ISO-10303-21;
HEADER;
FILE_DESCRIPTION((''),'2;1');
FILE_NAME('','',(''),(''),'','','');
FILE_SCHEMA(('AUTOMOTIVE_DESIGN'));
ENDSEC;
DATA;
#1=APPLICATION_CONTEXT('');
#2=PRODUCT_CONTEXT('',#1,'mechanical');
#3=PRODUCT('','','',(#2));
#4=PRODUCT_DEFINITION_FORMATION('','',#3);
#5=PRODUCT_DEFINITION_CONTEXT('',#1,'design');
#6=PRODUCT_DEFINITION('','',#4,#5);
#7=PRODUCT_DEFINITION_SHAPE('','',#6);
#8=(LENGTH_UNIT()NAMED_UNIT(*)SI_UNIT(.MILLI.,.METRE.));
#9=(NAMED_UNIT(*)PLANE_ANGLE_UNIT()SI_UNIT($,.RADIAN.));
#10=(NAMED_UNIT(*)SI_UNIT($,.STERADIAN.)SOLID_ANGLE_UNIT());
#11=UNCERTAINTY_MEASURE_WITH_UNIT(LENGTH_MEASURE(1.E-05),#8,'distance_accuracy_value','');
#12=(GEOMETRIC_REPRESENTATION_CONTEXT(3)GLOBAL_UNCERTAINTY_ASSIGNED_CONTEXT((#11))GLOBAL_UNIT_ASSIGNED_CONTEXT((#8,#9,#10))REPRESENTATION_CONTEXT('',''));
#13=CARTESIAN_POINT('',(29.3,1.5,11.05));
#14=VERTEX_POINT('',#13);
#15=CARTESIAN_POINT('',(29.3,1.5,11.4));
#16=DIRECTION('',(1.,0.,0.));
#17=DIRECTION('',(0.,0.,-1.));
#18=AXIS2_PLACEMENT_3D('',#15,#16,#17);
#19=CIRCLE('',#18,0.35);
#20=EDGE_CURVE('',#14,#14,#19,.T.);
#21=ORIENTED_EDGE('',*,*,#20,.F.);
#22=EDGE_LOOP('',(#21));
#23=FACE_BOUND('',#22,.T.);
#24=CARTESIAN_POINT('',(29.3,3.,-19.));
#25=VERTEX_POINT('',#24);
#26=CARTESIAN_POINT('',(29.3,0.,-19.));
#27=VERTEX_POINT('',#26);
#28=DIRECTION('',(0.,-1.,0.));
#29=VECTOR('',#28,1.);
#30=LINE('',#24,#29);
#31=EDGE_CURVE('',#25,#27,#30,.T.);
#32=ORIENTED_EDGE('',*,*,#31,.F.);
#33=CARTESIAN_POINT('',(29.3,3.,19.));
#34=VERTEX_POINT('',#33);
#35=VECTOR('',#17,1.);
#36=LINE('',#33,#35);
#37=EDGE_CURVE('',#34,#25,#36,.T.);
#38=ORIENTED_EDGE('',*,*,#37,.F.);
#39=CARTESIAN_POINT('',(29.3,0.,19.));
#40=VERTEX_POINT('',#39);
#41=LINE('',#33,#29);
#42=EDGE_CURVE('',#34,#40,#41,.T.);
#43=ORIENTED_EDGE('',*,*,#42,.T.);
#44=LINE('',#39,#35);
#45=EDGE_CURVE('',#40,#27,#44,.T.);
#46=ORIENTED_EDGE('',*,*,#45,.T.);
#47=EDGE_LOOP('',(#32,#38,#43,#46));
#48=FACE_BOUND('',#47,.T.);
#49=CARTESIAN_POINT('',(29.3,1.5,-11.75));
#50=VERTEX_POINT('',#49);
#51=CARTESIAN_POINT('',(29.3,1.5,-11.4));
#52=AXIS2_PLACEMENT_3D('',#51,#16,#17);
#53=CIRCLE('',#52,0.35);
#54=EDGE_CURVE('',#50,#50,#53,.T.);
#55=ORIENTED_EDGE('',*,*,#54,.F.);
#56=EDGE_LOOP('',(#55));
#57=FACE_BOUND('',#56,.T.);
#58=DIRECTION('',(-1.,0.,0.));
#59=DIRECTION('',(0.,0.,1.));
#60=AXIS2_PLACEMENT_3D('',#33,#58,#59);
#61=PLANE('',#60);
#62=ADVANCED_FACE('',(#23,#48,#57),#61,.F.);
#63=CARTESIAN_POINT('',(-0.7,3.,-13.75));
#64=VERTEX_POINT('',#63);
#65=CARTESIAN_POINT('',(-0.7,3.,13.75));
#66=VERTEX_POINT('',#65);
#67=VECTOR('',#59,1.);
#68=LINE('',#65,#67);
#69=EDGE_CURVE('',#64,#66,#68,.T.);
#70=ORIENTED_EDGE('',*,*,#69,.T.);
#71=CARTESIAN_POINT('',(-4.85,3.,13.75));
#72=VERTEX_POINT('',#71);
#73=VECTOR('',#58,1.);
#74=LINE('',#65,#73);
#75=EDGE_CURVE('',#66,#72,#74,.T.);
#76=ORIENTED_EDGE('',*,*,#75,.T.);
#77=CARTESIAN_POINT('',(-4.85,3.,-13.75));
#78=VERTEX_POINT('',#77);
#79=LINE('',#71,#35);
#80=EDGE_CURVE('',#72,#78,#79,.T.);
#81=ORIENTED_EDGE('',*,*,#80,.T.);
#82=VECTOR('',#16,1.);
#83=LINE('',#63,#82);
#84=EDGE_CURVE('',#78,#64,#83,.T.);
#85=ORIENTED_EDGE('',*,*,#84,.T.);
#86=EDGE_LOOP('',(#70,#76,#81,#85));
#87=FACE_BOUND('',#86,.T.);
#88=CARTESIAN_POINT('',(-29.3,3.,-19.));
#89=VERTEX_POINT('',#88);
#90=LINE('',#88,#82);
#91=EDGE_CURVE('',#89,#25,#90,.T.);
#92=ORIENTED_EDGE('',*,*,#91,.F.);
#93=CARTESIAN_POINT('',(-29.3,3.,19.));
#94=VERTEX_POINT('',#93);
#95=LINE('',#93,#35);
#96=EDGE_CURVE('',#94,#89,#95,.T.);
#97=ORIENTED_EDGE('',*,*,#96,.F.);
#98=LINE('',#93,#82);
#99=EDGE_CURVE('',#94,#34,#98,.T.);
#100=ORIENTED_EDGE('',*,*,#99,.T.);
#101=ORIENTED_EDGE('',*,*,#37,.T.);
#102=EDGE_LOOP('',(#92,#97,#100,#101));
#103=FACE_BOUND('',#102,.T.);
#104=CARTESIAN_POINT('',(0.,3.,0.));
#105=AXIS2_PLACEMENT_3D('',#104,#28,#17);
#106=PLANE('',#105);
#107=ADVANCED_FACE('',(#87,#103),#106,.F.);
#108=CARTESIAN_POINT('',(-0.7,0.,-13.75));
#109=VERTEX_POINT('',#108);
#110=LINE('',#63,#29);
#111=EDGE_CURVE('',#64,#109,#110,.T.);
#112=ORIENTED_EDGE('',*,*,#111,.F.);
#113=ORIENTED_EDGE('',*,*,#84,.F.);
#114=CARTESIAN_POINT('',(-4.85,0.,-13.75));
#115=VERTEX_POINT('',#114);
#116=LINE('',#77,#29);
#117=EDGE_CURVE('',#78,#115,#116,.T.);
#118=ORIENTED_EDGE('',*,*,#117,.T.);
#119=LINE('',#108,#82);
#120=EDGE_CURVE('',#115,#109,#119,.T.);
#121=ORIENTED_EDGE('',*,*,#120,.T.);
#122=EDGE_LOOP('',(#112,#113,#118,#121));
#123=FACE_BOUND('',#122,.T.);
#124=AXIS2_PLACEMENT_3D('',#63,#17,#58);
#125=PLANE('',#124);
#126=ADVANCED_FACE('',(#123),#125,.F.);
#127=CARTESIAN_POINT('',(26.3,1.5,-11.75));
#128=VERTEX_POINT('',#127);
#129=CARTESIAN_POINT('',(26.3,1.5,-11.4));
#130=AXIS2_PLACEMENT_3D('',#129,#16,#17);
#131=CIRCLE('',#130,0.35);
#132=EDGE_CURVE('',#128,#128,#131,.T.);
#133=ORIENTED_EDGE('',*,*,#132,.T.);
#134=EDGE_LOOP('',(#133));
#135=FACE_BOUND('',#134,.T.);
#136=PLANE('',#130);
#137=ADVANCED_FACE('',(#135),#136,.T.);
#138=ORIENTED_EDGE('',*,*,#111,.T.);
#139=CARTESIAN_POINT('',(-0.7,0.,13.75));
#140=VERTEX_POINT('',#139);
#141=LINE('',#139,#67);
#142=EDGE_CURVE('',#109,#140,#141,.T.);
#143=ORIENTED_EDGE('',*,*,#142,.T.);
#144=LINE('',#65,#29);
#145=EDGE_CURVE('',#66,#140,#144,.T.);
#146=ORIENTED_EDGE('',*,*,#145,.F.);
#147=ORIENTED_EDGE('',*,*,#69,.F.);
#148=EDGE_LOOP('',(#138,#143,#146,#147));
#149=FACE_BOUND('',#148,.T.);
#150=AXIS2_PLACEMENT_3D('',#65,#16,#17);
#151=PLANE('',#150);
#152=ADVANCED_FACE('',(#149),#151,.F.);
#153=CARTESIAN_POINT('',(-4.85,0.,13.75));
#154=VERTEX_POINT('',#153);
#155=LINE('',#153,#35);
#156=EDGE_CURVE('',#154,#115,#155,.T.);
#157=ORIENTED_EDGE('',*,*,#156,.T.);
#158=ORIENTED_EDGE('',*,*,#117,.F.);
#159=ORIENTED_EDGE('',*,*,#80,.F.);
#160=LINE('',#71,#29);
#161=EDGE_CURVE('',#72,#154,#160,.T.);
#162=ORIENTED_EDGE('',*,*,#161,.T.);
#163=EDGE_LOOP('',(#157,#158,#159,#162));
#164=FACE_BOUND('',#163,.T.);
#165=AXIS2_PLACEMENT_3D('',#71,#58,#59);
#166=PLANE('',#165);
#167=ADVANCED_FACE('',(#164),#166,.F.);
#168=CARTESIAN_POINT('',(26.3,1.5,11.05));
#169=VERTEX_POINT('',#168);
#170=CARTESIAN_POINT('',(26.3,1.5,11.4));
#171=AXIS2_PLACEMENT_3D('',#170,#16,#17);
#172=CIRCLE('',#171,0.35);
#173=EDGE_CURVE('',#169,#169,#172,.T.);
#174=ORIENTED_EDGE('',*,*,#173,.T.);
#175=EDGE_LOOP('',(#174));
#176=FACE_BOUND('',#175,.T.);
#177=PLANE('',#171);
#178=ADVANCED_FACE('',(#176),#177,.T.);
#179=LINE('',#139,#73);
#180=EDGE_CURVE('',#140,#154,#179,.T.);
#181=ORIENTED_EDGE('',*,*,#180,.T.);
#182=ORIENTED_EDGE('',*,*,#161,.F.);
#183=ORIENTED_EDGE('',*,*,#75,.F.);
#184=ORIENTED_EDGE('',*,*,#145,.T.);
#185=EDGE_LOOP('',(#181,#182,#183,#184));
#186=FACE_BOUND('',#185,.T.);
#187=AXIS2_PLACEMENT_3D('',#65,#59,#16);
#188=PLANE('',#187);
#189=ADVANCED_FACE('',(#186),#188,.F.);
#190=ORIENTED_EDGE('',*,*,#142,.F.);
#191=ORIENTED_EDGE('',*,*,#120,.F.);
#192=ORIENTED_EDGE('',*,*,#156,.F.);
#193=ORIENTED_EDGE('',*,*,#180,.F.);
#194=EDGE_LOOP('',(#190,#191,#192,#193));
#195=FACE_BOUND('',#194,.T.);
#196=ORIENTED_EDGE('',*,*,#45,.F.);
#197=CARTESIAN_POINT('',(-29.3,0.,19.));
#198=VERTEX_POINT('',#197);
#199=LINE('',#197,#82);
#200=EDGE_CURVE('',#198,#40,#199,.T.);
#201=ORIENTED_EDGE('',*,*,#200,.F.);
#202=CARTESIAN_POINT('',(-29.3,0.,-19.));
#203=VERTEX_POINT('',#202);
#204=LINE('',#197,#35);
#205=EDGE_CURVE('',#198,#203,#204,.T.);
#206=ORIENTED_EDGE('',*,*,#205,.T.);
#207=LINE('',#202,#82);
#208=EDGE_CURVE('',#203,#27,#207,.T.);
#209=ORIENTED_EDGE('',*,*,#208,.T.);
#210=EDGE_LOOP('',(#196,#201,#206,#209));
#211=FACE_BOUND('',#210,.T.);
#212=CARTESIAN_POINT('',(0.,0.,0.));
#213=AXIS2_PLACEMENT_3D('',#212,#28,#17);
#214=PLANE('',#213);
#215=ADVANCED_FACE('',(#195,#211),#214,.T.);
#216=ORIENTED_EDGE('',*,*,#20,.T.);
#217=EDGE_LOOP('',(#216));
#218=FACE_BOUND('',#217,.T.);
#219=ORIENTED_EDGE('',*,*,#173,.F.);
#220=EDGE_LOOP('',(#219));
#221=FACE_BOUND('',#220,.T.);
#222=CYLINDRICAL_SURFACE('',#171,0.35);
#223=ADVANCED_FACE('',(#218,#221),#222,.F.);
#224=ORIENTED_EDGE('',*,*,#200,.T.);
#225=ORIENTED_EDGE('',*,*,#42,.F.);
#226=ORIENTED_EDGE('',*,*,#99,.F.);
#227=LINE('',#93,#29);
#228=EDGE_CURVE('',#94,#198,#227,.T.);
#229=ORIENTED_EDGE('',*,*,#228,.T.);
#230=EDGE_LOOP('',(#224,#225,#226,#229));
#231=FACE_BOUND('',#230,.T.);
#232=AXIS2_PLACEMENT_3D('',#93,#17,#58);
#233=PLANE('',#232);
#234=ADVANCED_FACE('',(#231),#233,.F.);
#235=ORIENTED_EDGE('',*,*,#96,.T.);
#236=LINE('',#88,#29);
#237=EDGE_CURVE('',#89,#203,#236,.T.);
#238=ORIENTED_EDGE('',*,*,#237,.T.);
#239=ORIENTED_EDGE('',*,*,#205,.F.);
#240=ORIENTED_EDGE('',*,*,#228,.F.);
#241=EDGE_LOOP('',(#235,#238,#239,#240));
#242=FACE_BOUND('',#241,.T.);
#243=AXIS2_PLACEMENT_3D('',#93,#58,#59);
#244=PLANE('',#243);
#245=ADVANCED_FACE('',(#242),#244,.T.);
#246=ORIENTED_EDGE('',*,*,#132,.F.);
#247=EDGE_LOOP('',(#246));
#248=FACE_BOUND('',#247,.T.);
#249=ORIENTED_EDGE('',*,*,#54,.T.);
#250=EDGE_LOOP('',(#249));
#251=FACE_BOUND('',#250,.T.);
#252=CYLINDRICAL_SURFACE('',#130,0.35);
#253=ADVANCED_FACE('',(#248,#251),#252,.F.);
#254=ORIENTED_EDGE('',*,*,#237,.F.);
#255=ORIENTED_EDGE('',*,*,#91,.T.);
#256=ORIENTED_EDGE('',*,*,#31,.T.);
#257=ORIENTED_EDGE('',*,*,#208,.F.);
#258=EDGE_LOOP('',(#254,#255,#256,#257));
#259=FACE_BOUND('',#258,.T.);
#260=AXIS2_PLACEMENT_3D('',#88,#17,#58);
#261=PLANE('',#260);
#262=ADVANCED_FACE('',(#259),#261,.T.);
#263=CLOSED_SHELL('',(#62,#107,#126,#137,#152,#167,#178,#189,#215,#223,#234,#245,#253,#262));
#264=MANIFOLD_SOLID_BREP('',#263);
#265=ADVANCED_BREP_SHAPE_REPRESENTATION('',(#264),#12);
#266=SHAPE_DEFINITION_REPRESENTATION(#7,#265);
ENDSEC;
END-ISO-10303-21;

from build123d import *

# Parameters (mm, degrees)
SKETCH_1_W          = 58.6
SKETCH_1_H          = 38
EXTRUDE_1_DEPTH     = 3
SKETCH_2_W          = 4.15
SKETCH_2_H          = 27.5
CUT_EXTRUDE_1_DEPTH = 36.049821683
SKETCH_3_R          = 0.35
CUT_EXTRUDE_2_DEPTH = 3


with BuildPart() as part:
    # 草图1 → 凸台-拉伸1 (new body)
    with BuildSketch(Plane(origin=(0, 0, 0), x_dir=(1, 0, 0), z_dir=(0, 1, 0))):
        Rectangle(SKETCH_1_W, SKETCH_1_H)
    extrude(amount=EXTRUDE_1_DEPTH)

    # 草图2 → 切除-拉伸1 (cut, through all)
    with BuildSketch(Plane.XZ):
        with Locations((-2.775, 0)):
            Rectangle(SKETCH_2_W, SKETCH_2_H)
    extrude(amount=-CUT_EXTRUDE_1_DEPTH, mode=Mode.SUBTRACT)

    # 草图3 → 切除-拉伸2 (cut)
    with BuildSketch(Plane(origin=(29.3, 0, 0), x_dir=(0, 0, -1), z_dir=(1, 0, 0))):
        with Locations((-11.4, 1.5)):
            Circle(SKETCH_3_R)
        with Locations((11.4, 1.5)):
            Circle(SKETCH_3_R)
    extrude(amount=-CUT_EXTRUDE_2_DEPTH, mode=Mode.SUBTRACT)


solid = part.part
